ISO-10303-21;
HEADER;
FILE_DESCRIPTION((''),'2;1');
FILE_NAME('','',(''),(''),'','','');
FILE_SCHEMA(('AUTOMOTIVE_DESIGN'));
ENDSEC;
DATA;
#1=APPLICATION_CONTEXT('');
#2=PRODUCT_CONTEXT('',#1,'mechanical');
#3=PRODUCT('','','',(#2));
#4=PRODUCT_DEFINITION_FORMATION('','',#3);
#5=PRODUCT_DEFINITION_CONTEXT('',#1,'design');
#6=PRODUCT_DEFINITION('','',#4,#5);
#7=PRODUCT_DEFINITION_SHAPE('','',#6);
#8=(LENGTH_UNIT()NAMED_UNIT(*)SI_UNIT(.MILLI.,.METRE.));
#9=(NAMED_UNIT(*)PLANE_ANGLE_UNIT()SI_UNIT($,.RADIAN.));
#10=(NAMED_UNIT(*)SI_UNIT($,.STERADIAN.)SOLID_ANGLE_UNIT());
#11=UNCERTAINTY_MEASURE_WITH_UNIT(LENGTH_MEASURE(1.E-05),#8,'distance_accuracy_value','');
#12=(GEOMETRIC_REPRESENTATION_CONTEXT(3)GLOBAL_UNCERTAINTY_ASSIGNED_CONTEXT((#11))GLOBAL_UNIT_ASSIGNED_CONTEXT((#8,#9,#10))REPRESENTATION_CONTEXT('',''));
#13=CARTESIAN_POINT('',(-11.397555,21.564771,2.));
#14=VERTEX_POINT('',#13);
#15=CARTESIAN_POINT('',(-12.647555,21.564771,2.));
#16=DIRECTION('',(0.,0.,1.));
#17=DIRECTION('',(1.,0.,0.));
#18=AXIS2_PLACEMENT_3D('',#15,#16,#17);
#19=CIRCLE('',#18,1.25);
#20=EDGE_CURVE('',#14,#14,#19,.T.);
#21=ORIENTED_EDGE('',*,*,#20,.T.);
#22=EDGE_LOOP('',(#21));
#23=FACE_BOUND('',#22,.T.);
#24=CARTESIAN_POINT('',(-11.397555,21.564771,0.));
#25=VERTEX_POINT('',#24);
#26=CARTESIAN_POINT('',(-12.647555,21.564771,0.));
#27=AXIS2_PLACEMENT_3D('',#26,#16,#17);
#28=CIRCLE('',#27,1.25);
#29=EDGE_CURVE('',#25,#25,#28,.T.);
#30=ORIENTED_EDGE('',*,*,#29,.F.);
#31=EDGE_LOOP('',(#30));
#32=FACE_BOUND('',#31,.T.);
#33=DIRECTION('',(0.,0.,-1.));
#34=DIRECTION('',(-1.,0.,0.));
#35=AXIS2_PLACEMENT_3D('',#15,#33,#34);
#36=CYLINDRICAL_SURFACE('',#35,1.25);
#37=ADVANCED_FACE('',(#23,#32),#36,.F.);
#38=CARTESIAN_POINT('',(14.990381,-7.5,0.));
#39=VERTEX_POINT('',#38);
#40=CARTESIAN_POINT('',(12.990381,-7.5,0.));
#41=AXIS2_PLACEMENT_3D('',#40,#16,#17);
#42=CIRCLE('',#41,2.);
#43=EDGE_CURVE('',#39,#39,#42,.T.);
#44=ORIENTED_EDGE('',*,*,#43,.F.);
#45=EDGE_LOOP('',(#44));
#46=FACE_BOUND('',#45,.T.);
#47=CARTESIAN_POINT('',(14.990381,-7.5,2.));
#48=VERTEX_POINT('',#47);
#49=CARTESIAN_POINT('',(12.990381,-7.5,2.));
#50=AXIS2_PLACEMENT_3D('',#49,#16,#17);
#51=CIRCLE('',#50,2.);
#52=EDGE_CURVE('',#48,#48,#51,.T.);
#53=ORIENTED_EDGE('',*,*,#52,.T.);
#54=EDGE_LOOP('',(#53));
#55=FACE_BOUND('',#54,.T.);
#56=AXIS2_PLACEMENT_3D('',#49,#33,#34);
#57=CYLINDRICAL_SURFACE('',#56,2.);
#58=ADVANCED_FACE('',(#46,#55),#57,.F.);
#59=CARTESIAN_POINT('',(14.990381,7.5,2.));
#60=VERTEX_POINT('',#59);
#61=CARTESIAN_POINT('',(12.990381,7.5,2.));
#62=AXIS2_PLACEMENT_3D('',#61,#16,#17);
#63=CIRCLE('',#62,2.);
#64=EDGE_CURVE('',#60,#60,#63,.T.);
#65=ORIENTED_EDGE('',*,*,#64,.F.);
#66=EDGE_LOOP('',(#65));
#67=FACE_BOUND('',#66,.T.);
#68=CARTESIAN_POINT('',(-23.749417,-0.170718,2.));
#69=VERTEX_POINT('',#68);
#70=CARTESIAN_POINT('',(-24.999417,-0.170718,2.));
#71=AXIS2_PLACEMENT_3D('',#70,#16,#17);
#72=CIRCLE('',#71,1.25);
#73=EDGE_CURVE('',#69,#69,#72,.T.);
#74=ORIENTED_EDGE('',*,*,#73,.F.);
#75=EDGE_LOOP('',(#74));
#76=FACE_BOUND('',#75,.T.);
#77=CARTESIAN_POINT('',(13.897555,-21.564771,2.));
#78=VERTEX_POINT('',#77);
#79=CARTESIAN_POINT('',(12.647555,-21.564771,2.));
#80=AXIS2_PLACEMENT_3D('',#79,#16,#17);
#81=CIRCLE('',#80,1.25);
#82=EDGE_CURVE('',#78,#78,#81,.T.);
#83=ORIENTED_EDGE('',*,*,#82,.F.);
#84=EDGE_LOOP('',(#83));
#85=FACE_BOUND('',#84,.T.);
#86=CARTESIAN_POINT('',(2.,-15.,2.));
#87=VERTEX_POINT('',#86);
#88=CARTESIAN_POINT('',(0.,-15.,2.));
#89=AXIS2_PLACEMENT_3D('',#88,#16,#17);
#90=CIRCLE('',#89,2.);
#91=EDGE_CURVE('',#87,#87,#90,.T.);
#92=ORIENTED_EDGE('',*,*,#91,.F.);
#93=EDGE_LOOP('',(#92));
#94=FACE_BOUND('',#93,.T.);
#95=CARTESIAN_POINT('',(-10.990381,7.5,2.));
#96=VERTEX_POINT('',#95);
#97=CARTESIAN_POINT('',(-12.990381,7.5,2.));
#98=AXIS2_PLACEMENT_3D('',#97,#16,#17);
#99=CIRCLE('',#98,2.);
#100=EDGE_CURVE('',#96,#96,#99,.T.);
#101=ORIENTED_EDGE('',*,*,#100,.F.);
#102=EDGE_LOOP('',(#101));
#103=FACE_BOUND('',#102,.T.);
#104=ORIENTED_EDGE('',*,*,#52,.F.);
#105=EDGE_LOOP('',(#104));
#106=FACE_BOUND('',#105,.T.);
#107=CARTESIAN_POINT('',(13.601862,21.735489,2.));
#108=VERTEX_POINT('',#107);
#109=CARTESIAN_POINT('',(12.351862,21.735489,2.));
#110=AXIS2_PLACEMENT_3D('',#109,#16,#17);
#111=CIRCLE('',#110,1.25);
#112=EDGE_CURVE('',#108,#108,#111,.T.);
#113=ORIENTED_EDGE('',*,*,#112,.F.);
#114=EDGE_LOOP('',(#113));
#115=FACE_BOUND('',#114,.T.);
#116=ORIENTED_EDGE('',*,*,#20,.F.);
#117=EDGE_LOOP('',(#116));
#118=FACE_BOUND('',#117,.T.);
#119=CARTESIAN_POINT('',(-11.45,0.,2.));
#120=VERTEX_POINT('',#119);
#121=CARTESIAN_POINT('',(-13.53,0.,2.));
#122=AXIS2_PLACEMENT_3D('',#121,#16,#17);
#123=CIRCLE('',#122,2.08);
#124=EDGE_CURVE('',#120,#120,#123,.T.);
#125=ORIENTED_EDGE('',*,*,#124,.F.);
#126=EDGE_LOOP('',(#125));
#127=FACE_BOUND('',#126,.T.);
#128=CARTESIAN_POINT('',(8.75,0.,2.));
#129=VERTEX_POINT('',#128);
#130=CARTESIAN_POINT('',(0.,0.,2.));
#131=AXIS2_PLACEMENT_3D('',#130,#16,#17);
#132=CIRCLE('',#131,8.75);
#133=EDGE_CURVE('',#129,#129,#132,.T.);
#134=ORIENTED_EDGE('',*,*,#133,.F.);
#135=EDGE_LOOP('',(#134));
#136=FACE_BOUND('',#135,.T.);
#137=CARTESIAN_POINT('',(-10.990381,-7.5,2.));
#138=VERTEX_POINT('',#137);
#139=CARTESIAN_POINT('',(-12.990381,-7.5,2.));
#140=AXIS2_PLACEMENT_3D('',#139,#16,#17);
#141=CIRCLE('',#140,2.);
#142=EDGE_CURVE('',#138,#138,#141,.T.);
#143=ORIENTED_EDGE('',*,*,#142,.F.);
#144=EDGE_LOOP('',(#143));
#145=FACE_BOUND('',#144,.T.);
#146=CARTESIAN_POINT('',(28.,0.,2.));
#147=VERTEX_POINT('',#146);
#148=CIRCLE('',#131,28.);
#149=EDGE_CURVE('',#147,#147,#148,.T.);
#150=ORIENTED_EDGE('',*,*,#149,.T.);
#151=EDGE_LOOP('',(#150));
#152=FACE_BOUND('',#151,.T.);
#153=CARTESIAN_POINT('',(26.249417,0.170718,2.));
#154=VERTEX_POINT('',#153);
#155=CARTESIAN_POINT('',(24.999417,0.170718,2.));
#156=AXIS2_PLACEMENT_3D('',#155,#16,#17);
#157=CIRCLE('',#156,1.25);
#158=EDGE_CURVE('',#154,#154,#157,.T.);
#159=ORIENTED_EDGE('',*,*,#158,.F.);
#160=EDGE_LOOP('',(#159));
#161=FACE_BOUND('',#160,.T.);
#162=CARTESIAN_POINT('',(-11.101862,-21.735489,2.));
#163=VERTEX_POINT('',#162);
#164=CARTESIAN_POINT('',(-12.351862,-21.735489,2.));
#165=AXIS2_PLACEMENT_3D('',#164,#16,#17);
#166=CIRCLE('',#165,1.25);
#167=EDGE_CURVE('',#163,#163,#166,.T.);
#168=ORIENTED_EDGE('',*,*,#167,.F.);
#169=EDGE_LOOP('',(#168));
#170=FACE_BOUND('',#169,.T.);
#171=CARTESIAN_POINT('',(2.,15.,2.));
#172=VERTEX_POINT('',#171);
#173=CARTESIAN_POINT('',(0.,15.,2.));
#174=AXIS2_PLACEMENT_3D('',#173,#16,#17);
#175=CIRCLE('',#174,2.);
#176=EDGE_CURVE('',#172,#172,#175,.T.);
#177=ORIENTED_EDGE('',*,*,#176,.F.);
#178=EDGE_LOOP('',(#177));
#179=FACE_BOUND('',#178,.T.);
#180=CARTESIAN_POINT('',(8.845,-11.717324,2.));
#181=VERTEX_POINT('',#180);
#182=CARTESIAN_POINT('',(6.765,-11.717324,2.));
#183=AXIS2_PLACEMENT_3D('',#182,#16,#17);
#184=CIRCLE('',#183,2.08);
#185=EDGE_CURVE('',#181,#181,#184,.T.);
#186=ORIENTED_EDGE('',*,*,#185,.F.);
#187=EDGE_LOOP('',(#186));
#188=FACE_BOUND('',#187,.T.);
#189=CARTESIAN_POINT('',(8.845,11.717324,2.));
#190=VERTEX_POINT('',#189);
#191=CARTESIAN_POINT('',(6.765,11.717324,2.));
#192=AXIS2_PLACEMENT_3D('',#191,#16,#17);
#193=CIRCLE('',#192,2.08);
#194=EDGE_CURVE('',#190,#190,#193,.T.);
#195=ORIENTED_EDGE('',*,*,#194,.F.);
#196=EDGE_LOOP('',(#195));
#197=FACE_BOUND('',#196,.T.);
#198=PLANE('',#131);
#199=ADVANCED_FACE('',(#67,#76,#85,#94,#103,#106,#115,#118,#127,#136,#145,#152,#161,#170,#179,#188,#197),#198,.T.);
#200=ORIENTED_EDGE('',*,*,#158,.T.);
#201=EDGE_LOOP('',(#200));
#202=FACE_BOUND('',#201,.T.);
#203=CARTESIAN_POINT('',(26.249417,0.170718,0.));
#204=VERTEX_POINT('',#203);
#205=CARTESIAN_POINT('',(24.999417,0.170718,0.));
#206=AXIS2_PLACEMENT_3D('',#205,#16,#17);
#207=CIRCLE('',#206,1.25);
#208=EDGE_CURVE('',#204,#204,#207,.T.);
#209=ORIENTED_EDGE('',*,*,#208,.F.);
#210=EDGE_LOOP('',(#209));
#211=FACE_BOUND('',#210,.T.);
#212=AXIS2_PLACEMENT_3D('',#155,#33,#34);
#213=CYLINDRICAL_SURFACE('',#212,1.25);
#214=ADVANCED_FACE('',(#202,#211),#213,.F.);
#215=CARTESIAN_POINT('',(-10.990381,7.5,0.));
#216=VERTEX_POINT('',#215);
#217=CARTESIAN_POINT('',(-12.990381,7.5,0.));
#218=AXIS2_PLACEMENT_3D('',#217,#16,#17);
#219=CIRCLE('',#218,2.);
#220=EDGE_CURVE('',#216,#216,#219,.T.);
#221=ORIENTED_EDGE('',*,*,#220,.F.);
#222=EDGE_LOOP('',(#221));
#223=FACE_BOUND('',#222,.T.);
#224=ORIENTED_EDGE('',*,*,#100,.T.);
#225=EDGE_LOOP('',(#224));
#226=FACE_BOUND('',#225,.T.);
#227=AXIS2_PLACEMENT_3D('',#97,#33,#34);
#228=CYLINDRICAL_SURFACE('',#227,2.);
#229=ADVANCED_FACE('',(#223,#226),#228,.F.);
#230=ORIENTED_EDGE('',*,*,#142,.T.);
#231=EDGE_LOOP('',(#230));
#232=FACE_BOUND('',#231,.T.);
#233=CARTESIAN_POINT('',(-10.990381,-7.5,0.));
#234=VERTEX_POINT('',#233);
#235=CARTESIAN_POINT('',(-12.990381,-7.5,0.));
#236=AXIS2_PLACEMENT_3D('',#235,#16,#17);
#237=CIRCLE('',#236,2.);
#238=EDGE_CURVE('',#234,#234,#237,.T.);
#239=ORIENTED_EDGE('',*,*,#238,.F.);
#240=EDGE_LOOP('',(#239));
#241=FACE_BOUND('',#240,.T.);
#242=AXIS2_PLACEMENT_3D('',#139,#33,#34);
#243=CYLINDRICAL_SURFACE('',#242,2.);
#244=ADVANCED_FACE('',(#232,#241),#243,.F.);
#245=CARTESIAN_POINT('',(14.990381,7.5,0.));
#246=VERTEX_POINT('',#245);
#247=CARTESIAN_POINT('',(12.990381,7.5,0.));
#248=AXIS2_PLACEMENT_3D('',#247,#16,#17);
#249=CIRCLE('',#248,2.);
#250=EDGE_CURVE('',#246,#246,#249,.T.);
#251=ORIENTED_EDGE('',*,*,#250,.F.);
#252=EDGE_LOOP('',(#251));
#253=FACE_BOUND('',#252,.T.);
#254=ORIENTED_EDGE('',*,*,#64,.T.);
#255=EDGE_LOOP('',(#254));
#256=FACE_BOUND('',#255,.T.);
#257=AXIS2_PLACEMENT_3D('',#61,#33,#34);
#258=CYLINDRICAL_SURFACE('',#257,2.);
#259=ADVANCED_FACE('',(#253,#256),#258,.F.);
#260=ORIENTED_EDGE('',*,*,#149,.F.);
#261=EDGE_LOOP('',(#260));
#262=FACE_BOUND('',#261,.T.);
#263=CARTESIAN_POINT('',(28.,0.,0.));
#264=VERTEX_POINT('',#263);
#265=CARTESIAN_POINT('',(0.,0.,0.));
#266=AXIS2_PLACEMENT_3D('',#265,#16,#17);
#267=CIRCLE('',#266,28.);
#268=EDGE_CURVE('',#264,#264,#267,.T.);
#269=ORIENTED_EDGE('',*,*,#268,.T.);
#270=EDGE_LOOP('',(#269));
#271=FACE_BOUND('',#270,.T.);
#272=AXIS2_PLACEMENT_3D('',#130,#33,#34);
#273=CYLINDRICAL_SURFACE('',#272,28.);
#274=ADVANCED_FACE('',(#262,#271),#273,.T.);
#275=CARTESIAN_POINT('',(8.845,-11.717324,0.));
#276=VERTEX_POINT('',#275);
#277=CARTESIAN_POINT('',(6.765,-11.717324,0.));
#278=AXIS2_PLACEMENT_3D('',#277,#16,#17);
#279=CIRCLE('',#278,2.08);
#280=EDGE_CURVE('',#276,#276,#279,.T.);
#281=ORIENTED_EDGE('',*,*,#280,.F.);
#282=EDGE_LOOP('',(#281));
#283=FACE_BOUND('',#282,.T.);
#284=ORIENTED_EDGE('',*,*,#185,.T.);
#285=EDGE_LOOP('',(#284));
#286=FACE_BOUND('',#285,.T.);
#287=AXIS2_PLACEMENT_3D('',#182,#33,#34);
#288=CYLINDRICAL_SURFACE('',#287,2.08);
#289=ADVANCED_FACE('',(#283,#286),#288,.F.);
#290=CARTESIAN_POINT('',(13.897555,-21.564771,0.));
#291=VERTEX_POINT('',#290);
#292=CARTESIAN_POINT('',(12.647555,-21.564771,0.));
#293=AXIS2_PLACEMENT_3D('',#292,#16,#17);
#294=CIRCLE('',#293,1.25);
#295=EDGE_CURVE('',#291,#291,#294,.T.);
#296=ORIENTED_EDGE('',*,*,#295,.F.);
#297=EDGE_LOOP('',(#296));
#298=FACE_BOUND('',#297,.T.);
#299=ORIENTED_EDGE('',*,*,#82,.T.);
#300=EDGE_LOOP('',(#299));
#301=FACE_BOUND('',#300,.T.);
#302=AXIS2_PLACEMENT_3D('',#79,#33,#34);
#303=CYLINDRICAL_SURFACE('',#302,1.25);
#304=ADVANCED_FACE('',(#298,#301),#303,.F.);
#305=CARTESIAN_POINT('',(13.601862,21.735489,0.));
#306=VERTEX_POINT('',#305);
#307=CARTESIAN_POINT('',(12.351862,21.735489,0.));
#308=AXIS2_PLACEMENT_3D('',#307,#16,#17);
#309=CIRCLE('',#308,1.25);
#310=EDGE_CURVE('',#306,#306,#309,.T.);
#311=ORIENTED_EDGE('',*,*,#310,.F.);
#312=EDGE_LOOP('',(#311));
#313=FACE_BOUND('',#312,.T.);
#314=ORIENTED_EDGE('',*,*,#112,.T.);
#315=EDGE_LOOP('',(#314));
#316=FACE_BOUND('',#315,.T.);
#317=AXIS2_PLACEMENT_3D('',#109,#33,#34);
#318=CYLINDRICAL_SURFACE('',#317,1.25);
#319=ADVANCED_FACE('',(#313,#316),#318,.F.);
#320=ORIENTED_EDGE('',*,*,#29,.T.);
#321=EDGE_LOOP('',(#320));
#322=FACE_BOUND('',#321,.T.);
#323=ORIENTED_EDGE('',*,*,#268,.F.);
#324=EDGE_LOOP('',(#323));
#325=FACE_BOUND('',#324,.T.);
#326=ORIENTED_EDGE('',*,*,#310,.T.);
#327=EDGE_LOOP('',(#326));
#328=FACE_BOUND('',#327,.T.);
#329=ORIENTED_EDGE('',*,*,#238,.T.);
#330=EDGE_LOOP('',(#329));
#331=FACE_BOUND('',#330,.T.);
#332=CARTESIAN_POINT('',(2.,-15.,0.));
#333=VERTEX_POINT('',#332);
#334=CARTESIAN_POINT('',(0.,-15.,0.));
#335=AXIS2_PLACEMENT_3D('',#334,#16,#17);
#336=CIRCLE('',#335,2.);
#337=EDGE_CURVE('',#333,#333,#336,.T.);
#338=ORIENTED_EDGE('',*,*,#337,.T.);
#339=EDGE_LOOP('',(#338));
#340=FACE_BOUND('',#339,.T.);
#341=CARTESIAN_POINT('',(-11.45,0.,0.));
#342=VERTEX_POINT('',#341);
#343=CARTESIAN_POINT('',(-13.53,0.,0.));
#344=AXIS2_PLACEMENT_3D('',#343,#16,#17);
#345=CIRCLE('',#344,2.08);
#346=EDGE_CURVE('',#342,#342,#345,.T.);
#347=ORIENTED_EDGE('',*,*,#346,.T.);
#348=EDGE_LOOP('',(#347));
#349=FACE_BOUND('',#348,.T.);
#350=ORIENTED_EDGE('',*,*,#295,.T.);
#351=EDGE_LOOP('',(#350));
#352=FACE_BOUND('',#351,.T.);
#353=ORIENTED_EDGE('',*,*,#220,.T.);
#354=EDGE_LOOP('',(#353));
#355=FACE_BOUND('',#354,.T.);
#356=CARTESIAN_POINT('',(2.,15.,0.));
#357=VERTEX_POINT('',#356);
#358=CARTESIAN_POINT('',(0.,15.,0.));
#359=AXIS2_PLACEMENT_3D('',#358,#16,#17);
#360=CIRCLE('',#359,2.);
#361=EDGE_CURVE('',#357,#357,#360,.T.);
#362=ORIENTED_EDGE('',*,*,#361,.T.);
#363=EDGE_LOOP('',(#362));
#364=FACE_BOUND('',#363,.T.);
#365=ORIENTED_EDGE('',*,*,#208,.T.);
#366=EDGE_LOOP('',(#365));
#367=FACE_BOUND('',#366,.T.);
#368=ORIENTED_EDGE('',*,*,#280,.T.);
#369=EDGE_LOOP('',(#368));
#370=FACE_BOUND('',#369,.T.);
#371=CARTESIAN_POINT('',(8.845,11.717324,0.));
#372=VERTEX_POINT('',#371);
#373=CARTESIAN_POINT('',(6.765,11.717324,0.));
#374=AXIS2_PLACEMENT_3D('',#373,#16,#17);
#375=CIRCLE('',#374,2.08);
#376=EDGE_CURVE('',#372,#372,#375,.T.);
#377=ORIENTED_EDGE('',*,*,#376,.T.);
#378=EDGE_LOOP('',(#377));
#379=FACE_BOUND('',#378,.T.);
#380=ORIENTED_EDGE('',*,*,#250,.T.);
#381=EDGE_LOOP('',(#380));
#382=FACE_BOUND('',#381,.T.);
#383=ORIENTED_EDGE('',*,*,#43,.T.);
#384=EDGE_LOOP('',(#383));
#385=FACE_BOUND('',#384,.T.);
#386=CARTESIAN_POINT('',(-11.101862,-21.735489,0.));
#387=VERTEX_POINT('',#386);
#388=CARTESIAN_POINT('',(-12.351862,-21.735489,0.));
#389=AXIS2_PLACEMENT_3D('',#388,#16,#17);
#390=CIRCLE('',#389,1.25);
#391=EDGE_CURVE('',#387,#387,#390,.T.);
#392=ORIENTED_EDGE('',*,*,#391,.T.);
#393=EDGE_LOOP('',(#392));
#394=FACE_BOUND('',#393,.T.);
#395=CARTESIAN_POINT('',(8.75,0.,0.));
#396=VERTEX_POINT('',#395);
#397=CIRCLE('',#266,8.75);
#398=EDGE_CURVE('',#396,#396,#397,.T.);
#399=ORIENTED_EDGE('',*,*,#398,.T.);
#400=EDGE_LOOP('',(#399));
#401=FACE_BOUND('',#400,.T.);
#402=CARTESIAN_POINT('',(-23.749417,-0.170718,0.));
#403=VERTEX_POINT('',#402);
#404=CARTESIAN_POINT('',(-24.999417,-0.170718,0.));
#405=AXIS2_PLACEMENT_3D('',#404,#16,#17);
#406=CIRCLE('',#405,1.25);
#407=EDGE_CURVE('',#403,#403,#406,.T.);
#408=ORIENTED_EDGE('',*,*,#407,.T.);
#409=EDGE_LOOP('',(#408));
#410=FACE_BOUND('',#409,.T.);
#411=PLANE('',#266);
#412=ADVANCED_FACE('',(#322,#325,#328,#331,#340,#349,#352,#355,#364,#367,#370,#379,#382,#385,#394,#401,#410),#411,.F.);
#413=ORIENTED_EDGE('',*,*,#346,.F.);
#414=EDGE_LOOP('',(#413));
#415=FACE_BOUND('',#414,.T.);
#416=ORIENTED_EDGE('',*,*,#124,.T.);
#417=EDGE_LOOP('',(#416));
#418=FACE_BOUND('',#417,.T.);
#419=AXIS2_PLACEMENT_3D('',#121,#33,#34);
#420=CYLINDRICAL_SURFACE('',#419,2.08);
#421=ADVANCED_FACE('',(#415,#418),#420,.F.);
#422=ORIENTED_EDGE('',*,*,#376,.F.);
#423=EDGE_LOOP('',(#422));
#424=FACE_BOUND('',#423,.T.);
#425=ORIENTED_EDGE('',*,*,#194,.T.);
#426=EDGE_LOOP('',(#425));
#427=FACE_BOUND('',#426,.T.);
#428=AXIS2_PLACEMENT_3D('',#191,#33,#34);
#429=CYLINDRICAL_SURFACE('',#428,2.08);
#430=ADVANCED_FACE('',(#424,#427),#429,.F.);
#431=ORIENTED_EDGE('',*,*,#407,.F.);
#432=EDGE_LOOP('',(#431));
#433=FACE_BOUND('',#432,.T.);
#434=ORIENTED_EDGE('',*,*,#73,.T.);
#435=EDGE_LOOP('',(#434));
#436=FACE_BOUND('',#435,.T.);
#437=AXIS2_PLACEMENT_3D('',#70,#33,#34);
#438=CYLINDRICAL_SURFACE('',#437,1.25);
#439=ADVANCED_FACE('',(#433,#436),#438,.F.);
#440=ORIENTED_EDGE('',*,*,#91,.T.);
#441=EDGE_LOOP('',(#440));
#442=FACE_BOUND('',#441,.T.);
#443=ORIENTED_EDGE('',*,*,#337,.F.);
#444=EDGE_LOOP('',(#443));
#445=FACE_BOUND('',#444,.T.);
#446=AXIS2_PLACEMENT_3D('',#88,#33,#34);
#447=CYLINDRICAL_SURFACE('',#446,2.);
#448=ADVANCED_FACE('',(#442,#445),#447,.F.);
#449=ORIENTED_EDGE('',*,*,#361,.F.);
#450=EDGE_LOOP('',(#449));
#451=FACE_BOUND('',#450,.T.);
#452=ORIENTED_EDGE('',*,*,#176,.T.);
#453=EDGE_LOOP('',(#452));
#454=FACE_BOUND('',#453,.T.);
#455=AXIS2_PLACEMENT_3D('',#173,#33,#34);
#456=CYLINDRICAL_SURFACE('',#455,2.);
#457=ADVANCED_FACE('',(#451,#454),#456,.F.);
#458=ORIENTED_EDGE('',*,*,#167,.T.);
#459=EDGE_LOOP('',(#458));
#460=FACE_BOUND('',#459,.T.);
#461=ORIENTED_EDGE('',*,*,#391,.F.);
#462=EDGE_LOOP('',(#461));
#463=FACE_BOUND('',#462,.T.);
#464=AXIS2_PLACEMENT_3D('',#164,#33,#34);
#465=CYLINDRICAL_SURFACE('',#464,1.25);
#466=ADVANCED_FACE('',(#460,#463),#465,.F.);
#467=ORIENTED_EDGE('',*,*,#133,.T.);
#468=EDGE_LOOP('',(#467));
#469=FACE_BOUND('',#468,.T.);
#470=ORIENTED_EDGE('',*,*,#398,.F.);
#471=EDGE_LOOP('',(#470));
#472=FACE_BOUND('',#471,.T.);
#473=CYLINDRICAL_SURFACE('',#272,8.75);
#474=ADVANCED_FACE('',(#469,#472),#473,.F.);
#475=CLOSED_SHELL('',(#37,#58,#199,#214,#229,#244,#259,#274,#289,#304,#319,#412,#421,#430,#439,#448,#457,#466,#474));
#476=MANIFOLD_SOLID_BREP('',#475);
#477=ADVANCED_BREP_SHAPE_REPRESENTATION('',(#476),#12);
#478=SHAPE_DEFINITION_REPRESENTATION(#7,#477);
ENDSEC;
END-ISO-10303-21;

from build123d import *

# Parameters (mm, degrees)
SKETCH_1_R      = 28
SKETCH_1_R_2    = 2
SKETCH_1_R_3    = 2.08
SKETCH_1_R_4    = 8.75
SKETCH_1_R_5    = 1.25
EXTRUDE_1_DEPTH = 2


with BuildPart() as part:
    # 草图1 → 凸台-拉伸1 (new body)
    with BuildSketch(Plane.XY):
        Circle(SKETCH_1_R)
        with Locations((0, -15)):
            Circle(SKETCH_1_R_2, mode=Mode.SUBTRACT)
        with Locations((-12.990381057, -7.5)):
            Circle(SKETCH_1_R_2, mode=Mode.SUBTRACT)
        with Locations((-12.990381057, 7.5)):
            Circle(SKETCH_1_R_2, mode=Mode.SUBTRACT)
        with Locations((0, 15)):
            Circle(SKETCH_1_R_2, mode=Mode.SUBTRACT)
        with Locations((12.990381057, 7.5)):
            Circle(SKETCH_1_R_2, mode=Mode.SUBTRACT)
        with Locations((12.990381057, -7.5)):
            Circle(SKETCH_1_R_2, mode=Mode.SUBTRACT)
        with Locations((-13.53, 0)):
            Circle(SKETCH_1_R_3, mode=Mode.SUBTRACT)
        with Locations((6.765, 11.717323713)):
            Circle(SKETCH_1_R_3, mode=Mode.SUBTRACT)
        with Locations((6.765, -11.717323713)):
            Circle(SKETCH_1_R_3, mode=Mode.SUBTRACT)
        Circle(SKETCH_1_R_4, mode=Mode.SUBTRACT)
        with Locations((12.351862398, 21.735489304)):
            Circle(SKETCH_1_R_5, mode=Mode.SUBTRACT)
        with Locations((24.9994171, 0.170718032)):
            Circle(SKETCH_1_R_5, mode=Mode.SUBTRACT)
        with Locations((12.647554702, -21.564771273)):
            Circle(SKETCH_1_R_5, mode=Mode.SUBTRACT)
        with Locations((-12.351862398, -21.735489304)):
            Circle(SKETCH_1_R_5, mode=Mode.SUBTRACT)
        with Locations((-24.9994171, -0.170718032)):
            Circle(SKETCH_1_R_5, mode=Mode.SUBTRACT)
        with Locations((-12.647554702, 21.564771273)):
            Circle(SKETCH_1_R_5, mode=Mode.SUBTRACT)
    extrude(amount=EXTRUDE_1_DEPTH)


solid = part.part
